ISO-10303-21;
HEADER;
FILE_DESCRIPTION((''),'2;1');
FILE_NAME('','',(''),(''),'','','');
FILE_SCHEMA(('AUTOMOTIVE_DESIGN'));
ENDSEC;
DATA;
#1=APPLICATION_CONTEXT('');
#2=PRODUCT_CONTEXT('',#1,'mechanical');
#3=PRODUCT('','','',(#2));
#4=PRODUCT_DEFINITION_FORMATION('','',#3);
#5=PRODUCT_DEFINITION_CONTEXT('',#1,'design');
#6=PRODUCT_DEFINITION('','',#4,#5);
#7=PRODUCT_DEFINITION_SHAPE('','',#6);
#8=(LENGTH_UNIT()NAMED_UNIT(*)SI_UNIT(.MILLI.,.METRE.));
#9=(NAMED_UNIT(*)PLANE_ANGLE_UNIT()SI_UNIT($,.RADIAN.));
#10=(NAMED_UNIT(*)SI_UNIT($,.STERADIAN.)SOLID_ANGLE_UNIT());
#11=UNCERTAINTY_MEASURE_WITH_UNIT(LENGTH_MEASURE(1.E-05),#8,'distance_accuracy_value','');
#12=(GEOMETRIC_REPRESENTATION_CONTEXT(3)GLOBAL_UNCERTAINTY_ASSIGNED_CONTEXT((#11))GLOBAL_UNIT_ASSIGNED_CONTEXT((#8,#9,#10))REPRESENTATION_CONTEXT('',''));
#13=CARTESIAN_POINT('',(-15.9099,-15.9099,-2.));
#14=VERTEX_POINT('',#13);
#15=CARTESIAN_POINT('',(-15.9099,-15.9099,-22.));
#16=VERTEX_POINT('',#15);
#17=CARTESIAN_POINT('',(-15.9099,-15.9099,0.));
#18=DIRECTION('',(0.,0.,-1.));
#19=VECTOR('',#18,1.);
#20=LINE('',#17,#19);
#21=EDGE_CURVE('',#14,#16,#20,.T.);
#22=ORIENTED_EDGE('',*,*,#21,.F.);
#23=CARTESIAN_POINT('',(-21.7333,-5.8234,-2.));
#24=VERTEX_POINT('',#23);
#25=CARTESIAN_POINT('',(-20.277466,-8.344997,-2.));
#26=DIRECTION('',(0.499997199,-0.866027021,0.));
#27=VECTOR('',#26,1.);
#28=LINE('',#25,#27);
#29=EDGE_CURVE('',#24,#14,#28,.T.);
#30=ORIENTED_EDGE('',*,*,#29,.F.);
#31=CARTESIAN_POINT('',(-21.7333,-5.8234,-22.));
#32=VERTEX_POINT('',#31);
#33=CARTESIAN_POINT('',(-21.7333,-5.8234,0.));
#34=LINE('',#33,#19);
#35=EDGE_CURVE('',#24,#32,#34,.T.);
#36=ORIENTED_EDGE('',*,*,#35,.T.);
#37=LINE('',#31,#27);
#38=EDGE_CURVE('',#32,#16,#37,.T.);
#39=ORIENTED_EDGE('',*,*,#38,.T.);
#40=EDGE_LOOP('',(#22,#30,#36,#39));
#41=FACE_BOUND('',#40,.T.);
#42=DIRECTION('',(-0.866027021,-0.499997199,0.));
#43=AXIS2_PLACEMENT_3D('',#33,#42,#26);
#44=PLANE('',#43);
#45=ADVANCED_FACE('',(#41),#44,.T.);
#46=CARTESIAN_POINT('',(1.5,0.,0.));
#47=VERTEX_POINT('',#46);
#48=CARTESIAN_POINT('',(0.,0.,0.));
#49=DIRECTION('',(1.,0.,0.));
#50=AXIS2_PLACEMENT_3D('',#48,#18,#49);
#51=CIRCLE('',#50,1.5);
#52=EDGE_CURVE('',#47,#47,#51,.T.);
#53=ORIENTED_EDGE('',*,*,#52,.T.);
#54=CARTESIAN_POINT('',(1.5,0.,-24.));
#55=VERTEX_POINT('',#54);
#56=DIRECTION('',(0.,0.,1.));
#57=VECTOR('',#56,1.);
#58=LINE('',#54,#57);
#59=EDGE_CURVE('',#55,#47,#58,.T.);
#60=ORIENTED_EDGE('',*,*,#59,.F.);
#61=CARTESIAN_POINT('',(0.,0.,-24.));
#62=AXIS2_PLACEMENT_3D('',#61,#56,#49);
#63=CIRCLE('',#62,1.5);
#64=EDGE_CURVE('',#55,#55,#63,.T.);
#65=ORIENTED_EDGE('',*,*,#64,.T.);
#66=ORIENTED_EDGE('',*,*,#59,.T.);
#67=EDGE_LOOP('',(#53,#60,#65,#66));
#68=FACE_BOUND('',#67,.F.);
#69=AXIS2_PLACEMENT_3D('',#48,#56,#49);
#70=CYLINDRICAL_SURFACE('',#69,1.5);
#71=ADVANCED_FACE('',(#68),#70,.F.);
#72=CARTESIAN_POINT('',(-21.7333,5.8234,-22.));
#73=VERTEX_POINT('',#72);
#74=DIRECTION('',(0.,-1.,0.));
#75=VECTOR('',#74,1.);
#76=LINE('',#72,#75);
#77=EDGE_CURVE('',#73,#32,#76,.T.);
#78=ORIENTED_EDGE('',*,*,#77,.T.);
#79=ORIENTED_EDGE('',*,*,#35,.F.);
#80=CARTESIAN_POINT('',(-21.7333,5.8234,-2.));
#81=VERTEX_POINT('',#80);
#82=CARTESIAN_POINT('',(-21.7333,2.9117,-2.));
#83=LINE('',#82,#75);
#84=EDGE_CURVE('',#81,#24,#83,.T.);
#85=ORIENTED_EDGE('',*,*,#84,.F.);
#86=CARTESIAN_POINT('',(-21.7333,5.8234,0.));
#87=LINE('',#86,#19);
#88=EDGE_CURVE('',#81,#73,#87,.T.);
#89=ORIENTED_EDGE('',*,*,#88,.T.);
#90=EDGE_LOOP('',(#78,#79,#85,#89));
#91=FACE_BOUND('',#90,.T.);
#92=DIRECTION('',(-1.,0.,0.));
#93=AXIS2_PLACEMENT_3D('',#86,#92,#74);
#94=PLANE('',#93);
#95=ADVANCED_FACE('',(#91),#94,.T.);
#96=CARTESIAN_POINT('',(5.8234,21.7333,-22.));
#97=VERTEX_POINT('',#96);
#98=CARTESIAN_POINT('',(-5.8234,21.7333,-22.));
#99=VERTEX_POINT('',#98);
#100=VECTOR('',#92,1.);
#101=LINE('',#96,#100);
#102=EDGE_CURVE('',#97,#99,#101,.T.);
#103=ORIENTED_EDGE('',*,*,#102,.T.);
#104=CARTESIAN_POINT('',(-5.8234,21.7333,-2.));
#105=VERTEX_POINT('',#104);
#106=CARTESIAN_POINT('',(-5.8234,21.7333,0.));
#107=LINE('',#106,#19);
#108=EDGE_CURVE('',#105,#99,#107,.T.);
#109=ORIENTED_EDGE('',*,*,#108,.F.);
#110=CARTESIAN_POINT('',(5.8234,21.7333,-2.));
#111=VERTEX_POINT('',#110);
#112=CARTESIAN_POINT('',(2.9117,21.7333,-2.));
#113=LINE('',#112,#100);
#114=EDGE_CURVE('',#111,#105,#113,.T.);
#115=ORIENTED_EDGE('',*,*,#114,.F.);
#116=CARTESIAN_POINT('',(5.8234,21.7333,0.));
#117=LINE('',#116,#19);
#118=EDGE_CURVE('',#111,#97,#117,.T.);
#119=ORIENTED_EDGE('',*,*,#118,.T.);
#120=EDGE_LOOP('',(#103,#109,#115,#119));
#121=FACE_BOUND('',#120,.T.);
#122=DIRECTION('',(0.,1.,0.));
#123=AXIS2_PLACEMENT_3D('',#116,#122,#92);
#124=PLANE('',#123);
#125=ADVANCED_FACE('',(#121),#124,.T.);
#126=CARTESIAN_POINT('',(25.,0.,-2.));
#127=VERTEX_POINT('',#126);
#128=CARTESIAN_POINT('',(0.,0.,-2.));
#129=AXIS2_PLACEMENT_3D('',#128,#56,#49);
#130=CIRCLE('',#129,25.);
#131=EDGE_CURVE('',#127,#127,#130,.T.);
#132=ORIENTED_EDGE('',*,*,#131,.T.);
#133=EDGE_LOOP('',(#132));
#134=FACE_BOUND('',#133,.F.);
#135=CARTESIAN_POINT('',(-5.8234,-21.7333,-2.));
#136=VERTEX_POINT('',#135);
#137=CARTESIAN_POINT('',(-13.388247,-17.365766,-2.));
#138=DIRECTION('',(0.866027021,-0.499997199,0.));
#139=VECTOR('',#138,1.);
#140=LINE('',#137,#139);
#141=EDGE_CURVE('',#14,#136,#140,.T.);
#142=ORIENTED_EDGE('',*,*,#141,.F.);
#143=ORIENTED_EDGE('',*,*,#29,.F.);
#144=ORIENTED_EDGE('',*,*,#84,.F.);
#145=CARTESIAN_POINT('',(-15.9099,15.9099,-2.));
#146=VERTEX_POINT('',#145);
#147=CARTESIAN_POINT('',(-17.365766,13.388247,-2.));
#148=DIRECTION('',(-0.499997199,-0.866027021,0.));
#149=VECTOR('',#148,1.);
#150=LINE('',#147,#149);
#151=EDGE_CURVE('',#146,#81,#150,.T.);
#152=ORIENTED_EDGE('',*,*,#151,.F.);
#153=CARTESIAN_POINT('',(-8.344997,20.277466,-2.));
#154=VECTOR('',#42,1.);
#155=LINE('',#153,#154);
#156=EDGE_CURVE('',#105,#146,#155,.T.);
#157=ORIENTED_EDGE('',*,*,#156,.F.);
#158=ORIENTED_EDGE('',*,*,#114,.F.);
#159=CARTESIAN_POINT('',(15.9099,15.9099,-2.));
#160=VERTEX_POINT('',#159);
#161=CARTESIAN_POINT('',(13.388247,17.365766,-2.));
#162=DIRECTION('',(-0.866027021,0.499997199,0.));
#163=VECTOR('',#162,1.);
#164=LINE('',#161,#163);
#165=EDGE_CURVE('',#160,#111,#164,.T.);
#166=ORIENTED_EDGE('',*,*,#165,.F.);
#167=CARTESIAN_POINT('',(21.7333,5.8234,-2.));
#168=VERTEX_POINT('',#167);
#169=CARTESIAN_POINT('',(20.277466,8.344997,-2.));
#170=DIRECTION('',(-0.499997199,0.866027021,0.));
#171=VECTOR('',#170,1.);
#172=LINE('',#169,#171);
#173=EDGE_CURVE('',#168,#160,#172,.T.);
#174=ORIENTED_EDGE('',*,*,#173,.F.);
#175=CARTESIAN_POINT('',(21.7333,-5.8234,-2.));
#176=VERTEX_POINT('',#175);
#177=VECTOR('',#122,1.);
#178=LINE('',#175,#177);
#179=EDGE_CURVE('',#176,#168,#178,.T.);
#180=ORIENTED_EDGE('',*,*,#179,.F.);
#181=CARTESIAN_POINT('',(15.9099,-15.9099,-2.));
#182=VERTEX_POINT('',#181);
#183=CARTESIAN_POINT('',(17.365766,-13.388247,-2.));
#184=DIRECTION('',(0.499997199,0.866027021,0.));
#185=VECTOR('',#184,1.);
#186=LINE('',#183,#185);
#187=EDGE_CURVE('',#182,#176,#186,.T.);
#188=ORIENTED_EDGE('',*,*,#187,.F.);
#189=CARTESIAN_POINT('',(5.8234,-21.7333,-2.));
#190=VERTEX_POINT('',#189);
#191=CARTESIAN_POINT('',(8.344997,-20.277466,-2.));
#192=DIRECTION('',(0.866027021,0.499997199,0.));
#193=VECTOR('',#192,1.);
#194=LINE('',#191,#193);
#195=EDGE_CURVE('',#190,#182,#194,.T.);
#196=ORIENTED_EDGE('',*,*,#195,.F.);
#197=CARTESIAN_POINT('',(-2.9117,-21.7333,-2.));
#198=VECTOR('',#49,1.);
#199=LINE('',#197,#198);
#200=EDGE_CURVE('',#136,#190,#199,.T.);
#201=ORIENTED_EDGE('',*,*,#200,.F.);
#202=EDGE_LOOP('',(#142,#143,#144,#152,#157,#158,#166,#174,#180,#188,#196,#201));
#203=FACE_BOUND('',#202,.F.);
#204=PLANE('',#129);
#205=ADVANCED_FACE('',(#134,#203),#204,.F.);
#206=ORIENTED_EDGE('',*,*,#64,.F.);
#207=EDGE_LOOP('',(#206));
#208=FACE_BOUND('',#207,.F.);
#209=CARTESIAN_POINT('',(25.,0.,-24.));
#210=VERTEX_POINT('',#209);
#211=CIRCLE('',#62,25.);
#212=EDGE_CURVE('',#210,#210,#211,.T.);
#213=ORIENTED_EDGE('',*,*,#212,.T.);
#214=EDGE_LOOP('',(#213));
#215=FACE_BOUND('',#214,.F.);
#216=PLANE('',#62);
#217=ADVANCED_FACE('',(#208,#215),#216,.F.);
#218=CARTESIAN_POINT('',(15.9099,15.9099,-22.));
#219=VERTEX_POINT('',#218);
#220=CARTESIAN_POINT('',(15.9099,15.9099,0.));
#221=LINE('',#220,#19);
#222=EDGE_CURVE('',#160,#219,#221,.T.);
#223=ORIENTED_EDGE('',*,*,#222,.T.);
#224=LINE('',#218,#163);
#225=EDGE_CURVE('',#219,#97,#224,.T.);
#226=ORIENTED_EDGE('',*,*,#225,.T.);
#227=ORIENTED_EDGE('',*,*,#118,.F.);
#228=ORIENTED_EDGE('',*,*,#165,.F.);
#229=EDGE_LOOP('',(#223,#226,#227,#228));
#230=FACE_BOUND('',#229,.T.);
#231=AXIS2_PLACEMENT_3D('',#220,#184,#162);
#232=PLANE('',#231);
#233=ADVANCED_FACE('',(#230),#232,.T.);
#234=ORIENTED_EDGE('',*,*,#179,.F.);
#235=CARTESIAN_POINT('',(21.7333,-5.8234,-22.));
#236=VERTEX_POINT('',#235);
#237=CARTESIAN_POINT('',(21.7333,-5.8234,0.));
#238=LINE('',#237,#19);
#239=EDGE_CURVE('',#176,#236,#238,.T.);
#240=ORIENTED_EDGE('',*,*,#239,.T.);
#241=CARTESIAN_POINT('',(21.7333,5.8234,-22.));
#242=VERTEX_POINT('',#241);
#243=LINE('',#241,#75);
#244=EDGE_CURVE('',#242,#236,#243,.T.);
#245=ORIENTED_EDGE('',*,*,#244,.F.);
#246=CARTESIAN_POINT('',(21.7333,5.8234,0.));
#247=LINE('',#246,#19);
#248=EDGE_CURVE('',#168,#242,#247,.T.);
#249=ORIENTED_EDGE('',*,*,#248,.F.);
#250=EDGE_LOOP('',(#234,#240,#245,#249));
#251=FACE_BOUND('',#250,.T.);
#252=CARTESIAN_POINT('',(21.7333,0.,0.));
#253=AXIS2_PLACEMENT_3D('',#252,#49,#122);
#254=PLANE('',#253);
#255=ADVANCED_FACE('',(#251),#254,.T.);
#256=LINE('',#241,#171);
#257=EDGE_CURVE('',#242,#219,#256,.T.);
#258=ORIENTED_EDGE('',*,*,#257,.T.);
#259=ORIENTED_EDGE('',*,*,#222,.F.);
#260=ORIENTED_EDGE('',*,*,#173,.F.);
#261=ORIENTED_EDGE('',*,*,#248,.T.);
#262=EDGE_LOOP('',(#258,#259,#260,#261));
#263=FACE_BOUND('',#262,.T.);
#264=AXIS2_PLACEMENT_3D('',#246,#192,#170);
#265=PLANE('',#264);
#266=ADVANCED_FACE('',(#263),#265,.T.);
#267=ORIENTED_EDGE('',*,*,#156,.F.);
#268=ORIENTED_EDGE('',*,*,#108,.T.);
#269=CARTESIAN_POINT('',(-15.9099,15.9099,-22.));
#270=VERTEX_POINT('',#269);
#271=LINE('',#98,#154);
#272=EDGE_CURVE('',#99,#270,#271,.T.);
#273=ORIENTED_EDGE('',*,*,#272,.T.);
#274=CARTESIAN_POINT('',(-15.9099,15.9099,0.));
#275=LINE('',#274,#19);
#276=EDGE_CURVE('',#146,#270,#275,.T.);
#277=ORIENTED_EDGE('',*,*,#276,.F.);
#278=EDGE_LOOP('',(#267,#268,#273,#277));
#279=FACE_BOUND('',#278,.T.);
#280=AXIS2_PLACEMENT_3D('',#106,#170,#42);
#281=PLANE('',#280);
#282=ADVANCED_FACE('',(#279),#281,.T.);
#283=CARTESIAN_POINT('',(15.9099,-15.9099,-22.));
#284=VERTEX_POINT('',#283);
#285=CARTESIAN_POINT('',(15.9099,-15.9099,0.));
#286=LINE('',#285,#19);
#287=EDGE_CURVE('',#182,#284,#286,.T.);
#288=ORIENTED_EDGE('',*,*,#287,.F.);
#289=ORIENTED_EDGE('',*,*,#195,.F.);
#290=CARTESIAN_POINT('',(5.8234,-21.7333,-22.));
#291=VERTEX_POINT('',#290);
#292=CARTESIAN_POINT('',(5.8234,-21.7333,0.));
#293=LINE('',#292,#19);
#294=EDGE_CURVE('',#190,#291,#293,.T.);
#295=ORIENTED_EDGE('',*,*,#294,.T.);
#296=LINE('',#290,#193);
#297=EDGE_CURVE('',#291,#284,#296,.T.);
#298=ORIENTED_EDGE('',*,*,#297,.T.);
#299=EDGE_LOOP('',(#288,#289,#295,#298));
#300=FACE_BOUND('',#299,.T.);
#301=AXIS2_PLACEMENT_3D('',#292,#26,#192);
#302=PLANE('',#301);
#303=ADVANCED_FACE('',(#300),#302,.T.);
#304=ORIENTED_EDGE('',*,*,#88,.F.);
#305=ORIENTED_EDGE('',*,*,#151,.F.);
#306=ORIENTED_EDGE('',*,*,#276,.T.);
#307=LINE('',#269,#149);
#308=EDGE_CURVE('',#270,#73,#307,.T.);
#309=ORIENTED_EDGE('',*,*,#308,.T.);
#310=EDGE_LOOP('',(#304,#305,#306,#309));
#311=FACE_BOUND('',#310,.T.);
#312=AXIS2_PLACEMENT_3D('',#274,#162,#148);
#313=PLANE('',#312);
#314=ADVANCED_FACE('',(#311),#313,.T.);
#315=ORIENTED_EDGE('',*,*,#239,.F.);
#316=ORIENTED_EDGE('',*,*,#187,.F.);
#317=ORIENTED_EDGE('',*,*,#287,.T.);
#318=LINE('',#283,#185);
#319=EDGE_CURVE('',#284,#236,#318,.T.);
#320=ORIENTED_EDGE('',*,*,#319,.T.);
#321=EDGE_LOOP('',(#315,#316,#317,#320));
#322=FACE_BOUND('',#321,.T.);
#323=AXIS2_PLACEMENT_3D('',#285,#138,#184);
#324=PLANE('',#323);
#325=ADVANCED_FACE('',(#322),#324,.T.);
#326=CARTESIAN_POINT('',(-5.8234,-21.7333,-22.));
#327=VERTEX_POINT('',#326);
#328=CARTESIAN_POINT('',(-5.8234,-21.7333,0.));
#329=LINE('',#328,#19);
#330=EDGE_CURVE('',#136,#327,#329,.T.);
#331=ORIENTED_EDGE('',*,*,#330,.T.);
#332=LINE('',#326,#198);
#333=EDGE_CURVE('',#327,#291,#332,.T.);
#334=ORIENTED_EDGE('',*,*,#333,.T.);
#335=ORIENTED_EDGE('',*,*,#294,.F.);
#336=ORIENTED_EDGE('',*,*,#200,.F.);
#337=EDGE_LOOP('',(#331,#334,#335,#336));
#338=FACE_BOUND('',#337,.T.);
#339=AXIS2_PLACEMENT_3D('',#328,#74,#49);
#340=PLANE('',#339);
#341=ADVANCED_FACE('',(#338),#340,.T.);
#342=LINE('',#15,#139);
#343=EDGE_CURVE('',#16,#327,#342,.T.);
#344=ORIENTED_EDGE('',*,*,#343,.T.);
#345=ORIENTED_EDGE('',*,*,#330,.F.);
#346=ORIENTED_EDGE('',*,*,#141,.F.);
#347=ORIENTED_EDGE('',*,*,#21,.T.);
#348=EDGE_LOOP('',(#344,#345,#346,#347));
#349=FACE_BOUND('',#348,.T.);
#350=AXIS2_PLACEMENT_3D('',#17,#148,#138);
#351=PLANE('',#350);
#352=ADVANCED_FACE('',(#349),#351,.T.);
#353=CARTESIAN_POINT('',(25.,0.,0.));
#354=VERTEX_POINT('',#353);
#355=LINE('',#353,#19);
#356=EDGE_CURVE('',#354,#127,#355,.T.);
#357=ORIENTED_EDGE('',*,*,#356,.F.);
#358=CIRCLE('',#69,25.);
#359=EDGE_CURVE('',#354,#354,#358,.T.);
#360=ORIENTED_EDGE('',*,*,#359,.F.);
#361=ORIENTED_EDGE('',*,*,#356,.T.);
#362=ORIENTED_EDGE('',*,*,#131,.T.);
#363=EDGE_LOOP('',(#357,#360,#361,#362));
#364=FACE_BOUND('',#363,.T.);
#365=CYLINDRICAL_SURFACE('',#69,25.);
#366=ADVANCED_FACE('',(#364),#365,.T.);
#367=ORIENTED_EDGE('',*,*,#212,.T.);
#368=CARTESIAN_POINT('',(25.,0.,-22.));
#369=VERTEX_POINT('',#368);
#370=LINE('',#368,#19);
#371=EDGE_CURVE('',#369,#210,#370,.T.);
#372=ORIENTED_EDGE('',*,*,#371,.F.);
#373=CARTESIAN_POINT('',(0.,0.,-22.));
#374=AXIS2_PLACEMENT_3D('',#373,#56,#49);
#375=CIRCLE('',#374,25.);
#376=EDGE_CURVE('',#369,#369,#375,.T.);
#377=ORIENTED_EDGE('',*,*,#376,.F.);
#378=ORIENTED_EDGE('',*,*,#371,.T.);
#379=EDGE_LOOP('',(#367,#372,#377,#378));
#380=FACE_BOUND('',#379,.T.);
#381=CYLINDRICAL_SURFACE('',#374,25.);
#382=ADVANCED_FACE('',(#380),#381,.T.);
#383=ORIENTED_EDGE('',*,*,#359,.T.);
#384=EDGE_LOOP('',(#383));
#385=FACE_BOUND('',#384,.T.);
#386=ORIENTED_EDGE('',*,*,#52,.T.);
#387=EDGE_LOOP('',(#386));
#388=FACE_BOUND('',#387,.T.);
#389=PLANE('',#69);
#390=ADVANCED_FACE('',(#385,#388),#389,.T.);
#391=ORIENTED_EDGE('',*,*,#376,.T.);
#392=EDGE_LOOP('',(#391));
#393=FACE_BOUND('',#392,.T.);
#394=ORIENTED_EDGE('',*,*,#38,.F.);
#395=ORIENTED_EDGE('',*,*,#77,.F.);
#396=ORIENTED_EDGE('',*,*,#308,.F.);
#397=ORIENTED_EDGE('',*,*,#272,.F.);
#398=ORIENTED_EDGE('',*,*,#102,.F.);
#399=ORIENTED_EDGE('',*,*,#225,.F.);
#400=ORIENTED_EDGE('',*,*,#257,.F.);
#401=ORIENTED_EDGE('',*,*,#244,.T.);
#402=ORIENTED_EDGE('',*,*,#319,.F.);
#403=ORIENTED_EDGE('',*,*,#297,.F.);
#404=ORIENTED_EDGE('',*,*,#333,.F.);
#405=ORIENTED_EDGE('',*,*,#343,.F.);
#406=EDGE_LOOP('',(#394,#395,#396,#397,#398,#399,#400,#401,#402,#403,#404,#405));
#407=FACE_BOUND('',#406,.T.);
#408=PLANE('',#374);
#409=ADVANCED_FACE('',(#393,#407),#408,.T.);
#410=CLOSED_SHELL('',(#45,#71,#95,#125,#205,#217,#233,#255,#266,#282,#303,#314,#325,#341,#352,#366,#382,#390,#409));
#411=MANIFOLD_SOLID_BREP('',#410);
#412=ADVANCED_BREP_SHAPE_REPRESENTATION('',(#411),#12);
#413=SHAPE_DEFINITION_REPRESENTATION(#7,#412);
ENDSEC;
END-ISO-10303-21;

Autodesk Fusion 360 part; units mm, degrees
sketch "Sketch1" plane through (0, 0, 0) normal (0, 0, 1) x (1, 0, 0)
  circle A0 centre (0, 0) radius 25
  circle A1 centre (0, 0) radius 22.5
  circle A2 centre (0, 0) radius 1.5
  line L0 (-0.912, -1.1909) -> (0.912, -1.1909)
  line L1 (5.8234, 21.7333) -> (-5.8234, 21.7333)
  line L2 (-5.8234, 21.7333) -> (-15.9099, 15.9099)
  line L3 (-15.9099, 15.9099) -> (-21.7333, 5.8234)
  line L4 (-21.7333, 5.8234) -> (-21.7333, -5.8234)
  line L5 (-21.7333, -5.8234) -> (-15.9099, -15.9099)
  line L6 (-15.9099, -15.9099) -> (-5.8234, -21.7333)
  line L7 (-5.8234, -21.7333) -> (5.8234, -21.7333)
  line L8 (5.8234, -21.7333) -> (15.9099, -15.9099)
  line L9 (15.9099, -15.9099) -> (21.7333, -5.8234)
  line L10 (21.7333, -5.8234) -> (21.7333, 5.8234)
  line L11 (21.7333, 5.8234) -> (15.9099, 15.9099)
  line L12 (15.9099, 15.9099) -> (5.8234, 21.7333)
  line L13 (1.75, 0) -> (22.5, 0)
  dimension "d2" = 50
  dimension "d3" = 45
  dimension "d4" = 3
  dimension "d5" = 1.824
  dimension "d38" = 2.5
  dimension "d42" = 22.5
extrude "Extrude6" add sketch "Sketch1" against normal blind 2 contours A0 | A1 L10 L13 | A1 L10 L13 | A1 L11 | L1 L2 L3 L4 L5 L6 L7 L8 L9 L10 L11 L12 | A1 L9 | A1 L12 | A1 L8 | A1 L1 | A1 L7 | A1 L2 | A1 L6 | A1 L3 | A1 L5 | A1 L4
extrude "Extrude7" add sketch "Sketch1" against normal blind 22 contours L1 L2 L3 L4 L5 L6 L7 L8 L9 L10 L11 L12
extrude "Extrude8" add sketch "Sketch1" along normal blind -24 and the other way blind 22 contours A0 | A1 L10 L13 | A1 L10 L13 | A1 L11 | L1 L2 L3 L4 L5 L6 L7 L8 L9 L10 L11 L12 | A1 L9 | A1 L12 | A1 L8 | A1 L1 | A1 L7 | A1 L2 | A1 L6 | A1 L3 | A1 L5 | A1 L4
equation "OuterDim = 50 mm"
equation "d2 = OuterDim"
equation "d3 = OuterDim * 0.9"
equation "Width = 20 mm"
equation "d42 = OuterDim * 0.9 / 2"
